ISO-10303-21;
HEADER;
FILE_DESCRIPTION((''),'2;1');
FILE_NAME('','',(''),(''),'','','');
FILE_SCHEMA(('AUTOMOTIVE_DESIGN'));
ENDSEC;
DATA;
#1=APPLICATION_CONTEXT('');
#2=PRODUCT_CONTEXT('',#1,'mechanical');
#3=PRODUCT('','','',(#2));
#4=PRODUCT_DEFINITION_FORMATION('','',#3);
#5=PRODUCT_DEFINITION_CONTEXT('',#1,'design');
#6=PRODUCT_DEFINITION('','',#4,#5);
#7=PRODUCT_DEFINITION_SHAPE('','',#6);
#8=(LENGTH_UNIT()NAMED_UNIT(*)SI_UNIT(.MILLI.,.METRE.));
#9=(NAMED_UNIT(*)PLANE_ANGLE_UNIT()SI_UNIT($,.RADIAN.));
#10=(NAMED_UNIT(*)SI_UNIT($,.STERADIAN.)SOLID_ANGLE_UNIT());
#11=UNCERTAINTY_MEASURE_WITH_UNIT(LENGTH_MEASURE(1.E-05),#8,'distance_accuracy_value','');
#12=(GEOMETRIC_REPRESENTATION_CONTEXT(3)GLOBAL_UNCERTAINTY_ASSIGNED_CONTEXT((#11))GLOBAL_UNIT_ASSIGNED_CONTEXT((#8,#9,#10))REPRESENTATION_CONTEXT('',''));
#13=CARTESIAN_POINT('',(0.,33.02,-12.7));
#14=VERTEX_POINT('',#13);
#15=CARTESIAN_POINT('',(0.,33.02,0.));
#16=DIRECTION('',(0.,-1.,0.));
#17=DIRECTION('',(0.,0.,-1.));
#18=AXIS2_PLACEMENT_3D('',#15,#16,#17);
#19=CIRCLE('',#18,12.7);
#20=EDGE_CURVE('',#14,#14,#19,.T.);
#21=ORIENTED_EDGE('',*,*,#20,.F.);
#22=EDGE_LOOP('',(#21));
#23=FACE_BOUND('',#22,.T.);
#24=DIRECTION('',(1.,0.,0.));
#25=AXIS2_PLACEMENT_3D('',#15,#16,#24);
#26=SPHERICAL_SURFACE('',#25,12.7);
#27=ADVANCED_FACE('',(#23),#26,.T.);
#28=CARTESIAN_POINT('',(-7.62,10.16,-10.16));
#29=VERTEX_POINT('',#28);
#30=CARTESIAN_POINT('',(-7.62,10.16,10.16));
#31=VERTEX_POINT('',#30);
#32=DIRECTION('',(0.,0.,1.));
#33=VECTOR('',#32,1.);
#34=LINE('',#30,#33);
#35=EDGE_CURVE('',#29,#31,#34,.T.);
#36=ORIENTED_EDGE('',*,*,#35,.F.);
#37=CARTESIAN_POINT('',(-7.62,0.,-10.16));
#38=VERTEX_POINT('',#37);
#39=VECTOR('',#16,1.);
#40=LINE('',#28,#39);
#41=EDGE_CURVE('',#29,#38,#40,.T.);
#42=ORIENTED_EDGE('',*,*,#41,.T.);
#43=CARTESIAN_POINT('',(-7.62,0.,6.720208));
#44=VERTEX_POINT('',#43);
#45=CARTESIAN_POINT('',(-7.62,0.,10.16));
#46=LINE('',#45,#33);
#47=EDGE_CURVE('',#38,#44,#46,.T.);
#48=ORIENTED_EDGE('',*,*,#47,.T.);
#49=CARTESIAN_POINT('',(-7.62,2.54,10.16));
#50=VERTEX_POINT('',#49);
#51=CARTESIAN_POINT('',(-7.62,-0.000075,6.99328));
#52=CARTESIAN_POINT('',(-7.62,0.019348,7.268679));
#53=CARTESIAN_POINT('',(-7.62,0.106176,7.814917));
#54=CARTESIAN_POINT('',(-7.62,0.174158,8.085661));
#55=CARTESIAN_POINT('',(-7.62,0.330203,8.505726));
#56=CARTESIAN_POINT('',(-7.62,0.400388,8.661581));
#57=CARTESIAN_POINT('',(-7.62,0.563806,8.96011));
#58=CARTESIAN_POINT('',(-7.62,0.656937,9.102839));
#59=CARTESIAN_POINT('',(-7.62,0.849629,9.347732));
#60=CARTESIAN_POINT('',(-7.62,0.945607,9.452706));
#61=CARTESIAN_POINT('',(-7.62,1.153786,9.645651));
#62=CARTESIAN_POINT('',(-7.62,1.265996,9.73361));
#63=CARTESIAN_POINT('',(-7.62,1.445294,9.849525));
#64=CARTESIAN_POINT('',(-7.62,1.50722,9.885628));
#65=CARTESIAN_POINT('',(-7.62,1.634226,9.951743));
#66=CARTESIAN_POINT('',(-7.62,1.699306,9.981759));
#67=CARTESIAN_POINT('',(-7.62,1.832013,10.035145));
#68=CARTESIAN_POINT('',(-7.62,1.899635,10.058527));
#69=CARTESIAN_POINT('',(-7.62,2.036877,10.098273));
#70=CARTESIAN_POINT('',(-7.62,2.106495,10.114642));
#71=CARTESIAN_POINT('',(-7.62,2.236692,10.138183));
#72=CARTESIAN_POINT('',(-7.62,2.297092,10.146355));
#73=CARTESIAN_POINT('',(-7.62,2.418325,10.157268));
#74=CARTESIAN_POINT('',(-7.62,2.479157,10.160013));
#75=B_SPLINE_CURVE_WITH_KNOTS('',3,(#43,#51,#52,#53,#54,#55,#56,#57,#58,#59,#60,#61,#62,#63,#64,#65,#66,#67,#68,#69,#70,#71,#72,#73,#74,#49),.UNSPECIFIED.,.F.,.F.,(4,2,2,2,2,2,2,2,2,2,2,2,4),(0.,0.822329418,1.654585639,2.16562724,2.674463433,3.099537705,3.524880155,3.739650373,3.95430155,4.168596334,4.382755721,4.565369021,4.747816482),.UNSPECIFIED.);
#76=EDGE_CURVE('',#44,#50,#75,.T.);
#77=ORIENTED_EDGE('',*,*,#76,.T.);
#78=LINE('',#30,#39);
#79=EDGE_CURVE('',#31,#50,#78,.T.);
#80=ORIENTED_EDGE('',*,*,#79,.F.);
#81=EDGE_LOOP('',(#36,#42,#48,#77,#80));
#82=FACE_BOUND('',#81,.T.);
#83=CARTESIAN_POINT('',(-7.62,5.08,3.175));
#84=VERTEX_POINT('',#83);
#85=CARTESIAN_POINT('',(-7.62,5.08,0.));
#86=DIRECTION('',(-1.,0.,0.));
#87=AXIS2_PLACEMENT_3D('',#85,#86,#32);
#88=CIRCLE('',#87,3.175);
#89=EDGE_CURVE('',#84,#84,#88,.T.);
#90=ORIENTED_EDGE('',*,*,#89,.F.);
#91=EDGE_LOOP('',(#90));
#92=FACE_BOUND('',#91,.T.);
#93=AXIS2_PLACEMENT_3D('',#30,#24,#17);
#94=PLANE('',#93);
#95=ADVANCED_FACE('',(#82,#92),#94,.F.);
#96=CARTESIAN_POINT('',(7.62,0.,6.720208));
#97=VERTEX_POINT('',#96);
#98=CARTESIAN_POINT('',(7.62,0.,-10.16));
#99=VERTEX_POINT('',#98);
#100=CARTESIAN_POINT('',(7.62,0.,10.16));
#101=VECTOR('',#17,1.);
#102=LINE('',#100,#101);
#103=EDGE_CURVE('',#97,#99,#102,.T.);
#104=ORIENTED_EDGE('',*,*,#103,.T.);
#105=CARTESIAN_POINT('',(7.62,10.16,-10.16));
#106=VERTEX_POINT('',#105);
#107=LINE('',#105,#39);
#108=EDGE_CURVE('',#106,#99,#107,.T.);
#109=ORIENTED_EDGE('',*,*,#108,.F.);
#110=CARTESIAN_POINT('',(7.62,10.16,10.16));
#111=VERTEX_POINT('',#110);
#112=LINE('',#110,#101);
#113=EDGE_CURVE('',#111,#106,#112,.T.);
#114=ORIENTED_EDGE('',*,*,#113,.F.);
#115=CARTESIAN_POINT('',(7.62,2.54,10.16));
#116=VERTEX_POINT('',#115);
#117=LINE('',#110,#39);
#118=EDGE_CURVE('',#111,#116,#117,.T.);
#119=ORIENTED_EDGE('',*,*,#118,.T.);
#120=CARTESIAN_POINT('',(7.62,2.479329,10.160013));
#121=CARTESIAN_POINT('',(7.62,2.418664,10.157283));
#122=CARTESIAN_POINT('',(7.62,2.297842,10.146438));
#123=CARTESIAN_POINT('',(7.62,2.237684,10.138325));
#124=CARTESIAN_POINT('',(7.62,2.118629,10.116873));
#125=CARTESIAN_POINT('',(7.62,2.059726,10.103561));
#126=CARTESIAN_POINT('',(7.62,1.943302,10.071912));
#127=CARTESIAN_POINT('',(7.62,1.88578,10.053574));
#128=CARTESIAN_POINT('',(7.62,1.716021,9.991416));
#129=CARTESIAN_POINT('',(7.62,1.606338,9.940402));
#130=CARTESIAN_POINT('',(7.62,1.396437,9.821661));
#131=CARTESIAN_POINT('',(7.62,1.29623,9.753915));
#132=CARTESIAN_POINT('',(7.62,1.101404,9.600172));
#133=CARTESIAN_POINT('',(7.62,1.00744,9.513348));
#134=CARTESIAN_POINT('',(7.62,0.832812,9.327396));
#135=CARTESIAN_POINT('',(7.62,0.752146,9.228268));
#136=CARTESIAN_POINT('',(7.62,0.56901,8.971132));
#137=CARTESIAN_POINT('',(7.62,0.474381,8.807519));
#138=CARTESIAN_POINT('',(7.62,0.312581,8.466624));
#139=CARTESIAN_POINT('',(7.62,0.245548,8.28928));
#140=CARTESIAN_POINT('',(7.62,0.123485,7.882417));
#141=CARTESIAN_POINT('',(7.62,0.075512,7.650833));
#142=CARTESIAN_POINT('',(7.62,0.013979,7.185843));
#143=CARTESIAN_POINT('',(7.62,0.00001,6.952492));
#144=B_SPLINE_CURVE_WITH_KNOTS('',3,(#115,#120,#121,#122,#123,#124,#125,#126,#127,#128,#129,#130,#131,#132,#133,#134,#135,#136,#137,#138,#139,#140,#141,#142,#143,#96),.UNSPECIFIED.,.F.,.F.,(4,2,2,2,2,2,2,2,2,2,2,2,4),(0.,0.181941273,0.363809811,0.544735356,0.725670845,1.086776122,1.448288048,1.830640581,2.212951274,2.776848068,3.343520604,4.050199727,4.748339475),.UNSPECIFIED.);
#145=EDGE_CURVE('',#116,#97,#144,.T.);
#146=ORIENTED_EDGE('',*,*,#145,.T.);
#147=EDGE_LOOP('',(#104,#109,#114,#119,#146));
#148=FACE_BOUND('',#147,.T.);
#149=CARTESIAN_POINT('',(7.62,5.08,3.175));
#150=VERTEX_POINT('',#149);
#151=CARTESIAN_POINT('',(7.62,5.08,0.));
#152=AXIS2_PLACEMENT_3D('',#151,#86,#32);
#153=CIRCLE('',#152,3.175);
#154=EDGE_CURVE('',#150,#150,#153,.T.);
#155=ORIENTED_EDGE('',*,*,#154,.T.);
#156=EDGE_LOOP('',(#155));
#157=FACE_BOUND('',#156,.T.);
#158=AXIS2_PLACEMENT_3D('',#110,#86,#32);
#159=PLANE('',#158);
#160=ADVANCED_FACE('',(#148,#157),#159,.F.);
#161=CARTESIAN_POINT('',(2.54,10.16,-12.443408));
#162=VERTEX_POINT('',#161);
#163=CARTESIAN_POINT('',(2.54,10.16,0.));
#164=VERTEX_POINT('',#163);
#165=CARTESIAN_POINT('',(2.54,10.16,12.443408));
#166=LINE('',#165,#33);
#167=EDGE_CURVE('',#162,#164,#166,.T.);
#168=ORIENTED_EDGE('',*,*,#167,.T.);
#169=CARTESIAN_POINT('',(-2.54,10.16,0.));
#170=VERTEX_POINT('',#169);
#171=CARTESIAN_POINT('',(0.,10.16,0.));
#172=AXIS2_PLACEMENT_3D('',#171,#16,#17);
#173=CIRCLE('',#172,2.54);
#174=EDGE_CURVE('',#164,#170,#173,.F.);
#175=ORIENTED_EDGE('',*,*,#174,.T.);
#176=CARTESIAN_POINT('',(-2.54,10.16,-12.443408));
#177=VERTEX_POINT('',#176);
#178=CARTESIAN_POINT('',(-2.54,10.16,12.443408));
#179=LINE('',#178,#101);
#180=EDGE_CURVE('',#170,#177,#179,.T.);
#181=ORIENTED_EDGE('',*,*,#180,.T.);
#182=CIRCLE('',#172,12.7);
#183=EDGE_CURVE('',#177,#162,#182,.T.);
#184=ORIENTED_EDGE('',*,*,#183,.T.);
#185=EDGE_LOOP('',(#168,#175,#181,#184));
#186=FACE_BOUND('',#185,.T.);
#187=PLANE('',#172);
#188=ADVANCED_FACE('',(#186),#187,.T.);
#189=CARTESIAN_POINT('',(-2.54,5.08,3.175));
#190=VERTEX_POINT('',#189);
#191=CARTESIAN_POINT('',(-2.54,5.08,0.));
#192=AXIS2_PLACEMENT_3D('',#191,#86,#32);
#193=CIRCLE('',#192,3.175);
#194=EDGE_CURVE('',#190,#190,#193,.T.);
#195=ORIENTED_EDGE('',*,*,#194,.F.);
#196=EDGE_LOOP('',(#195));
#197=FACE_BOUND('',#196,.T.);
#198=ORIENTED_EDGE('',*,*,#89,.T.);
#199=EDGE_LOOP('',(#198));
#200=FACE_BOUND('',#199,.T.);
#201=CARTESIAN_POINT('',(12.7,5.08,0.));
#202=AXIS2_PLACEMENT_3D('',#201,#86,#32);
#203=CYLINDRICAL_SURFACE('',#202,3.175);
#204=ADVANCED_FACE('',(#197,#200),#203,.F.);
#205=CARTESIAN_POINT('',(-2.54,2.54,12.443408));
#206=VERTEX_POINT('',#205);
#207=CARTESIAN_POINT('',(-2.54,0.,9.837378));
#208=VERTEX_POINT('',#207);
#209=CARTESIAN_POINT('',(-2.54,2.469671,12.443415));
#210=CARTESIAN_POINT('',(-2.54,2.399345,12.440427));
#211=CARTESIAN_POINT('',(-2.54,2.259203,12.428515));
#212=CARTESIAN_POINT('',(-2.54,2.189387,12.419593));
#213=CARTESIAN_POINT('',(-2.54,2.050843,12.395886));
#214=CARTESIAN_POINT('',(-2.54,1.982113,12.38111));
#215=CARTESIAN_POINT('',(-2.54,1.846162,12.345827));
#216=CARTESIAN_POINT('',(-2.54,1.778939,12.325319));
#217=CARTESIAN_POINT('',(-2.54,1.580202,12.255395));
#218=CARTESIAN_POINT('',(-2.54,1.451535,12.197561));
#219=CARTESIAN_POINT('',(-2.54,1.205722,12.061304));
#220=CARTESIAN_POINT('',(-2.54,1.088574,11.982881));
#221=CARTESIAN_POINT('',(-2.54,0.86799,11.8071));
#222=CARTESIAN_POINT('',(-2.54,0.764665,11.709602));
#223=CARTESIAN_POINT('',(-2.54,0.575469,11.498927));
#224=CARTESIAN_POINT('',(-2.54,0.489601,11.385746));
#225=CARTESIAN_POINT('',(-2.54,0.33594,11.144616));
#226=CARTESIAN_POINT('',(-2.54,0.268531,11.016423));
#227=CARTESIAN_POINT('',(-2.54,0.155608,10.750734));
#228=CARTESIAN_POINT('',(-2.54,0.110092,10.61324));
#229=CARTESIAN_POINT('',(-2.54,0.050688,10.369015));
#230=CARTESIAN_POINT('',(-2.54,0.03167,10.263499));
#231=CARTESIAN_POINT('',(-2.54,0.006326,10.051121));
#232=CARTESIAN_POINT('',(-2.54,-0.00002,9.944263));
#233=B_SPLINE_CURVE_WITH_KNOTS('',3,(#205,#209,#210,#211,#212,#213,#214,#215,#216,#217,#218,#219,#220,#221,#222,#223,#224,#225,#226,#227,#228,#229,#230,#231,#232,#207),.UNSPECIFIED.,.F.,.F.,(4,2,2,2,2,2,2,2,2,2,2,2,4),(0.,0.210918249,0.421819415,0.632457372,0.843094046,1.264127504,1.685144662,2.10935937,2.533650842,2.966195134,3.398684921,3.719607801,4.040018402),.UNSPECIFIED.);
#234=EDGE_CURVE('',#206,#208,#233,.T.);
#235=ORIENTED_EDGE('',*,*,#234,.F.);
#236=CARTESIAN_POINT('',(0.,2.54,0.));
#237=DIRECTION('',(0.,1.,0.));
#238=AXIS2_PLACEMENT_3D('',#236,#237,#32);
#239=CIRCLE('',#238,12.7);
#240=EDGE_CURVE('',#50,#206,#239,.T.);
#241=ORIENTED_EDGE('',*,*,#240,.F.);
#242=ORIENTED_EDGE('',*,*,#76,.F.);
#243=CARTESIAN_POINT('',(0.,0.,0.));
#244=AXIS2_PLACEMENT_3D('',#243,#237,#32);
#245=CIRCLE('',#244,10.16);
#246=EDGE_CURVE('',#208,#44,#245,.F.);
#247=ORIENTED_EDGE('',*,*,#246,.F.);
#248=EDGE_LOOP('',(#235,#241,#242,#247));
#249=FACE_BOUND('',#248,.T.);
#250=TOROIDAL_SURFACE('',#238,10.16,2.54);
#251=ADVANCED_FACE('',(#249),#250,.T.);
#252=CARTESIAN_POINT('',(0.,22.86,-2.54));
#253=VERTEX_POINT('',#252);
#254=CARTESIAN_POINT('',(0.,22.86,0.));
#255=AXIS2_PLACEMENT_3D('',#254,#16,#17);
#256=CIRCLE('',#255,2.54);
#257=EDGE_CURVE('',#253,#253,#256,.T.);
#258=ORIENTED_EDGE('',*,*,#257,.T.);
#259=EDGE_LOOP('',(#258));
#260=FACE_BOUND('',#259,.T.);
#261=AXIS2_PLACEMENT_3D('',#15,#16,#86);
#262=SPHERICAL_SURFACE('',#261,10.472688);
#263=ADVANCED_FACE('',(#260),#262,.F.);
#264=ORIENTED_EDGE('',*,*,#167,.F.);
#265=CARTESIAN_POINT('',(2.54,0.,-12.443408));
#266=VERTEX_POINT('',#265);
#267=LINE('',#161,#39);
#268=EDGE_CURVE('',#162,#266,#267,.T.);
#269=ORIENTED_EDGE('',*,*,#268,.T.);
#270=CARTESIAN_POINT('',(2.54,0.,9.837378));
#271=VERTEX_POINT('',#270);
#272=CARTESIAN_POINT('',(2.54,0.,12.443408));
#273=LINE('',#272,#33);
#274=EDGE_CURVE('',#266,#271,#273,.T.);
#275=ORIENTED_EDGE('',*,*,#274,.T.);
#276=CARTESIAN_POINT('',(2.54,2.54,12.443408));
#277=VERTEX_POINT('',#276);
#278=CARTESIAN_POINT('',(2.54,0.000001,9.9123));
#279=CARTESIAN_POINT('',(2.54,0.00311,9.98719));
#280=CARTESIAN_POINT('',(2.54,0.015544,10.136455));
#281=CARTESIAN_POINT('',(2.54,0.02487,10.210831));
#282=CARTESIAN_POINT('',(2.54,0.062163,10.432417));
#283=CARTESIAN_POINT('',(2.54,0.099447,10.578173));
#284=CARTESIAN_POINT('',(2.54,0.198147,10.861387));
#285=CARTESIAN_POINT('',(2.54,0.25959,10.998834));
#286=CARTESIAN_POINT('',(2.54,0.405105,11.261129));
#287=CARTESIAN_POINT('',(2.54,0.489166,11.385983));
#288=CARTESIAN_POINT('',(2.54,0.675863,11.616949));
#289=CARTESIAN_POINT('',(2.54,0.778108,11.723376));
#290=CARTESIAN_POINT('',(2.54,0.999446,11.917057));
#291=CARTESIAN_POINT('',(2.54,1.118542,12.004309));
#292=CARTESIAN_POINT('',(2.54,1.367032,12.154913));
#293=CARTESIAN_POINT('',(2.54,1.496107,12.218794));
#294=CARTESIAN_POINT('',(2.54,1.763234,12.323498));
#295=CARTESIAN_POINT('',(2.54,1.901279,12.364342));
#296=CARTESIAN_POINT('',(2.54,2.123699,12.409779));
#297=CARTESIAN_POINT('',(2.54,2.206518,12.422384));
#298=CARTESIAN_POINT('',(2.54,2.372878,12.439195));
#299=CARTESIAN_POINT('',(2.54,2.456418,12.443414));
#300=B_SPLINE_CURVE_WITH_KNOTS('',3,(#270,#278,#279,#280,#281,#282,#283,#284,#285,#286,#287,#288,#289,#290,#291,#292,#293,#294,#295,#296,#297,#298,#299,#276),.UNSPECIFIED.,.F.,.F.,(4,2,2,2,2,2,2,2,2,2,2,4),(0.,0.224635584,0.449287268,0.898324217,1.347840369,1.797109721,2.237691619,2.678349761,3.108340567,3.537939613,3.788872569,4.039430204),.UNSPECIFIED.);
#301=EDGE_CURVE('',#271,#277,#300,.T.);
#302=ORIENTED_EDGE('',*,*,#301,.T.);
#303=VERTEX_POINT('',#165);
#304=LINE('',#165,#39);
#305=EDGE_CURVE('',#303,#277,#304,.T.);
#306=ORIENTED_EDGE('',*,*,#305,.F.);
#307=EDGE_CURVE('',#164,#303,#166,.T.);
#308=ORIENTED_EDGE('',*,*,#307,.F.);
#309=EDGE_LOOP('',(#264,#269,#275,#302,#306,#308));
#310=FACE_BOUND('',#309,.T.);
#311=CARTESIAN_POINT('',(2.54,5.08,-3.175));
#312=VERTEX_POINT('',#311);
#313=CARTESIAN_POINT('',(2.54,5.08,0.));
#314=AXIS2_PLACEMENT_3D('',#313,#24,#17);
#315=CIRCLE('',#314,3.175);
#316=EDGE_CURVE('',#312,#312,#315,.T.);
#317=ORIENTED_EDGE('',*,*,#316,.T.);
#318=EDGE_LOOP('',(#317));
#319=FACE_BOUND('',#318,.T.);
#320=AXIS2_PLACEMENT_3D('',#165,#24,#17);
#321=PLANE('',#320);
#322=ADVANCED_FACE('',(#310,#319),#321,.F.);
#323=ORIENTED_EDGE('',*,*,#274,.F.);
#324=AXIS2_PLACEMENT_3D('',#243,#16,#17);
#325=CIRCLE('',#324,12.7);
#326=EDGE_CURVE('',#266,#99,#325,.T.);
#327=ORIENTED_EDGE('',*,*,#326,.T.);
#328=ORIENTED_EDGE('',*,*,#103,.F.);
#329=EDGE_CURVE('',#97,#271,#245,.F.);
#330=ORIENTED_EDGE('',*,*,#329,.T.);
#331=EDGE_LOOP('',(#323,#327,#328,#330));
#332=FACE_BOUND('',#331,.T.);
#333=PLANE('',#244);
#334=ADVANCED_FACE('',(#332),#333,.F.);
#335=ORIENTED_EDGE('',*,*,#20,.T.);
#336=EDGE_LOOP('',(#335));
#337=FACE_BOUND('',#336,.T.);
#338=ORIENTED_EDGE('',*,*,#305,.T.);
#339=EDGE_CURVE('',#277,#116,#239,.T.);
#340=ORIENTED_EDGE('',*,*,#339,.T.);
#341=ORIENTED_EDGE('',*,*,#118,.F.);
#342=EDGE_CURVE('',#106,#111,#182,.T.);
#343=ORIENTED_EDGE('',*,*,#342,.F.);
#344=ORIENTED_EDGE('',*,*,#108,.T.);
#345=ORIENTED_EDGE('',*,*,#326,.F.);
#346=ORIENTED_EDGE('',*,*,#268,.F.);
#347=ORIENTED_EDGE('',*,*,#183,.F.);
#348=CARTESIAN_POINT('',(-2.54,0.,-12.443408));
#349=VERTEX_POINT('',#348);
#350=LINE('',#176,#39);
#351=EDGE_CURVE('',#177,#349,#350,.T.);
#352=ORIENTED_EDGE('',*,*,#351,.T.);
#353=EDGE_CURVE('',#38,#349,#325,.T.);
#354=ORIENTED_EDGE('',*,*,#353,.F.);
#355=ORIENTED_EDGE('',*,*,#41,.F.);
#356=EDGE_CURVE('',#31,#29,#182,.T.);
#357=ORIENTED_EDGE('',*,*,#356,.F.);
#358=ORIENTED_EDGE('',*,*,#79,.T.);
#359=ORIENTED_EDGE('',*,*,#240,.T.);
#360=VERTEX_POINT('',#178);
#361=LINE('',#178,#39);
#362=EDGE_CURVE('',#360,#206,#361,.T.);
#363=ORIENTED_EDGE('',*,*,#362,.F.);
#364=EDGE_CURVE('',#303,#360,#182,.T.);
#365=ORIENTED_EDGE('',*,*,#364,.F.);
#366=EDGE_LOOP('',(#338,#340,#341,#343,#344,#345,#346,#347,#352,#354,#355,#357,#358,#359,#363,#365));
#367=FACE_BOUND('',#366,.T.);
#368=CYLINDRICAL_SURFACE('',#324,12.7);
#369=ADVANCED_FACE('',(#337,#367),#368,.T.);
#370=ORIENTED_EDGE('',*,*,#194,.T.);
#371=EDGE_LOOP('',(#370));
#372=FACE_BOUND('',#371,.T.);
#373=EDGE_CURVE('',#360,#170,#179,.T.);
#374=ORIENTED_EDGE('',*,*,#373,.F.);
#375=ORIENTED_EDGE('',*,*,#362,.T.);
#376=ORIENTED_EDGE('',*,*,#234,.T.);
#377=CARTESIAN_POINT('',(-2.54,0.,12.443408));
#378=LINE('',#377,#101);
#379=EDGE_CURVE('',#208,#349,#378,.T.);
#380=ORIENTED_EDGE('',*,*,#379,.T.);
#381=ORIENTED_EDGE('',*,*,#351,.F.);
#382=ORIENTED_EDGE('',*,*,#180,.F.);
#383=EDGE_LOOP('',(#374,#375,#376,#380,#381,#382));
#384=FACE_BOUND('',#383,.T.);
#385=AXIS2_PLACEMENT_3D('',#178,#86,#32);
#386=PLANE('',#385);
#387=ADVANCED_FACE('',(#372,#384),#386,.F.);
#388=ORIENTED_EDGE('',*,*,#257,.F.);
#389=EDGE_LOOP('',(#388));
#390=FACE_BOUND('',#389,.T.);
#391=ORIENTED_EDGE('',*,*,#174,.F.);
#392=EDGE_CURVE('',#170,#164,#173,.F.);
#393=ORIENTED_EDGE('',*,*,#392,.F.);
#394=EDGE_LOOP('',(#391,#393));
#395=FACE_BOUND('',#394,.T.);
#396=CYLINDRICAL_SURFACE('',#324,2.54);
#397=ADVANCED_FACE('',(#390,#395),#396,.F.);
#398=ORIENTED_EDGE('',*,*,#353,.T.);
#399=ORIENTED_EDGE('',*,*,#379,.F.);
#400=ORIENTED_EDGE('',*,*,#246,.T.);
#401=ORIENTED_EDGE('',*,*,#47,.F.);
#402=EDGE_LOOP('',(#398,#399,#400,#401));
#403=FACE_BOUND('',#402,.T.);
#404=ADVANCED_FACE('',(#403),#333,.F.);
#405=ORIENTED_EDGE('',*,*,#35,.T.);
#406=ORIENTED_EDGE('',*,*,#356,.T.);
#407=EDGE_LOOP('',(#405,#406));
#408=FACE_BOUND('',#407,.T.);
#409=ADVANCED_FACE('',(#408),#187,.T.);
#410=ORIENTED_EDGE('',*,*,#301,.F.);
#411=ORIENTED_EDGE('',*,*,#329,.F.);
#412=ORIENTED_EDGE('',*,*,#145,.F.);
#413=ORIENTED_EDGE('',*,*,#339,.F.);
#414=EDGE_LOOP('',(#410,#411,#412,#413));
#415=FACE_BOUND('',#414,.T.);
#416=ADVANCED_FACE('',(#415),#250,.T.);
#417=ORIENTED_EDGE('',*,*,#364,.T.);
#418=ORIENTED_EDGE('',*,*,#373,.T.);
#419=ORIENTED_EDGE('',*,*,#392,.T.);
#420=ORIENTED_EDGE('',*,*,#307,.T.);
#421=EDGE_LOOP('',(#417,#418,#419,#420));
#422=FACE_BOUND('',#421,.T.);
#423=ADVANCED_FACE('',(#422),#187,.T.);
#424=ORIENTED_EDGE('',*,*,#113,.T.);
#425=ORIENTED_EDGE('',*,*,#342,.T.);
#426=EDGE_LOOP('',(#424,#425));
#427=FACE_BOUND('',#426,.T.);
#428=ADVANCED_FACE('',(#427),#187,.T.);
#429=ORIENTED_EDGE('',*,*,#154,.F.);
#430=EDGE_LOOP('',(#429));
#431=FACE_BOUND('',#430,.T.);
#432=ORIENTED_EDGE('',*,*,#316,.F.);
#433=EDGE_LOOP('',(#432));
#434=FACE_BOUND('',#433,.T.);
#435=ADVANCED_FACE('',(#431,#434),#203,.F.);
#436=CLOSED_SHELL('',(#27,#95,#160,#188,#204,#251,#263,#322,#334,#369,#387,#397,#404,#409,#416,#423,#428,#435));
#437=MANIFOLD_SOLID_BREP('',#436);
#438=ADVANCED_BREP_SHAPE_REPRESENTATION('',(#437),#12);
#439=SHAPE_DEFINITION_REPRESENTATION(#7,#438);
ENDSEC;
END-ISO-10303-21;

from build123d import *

# Parameters (mm, degrees)
CUT_EXTRUDE1_DEPTH = 10.16
SKETCH3_R          = 3.175
CUT_EXTRUDE2_DEPTH = 52.61889964
FILLET1_R          = 2.54


with BuildPart() as part:
    # Sketch1 → Revolve1 (revolve)
    with BuildSketch(Plane.XY, mode=Mode.PRIVATE) as revolve1_sk:
        with BuildLine():
            Line((0, 0), (0, 5.602635041))
            Line((0, 5.602635041), (-2.54, 5.602635041))
            Line((-2.54, 5.602635041), (-2.54, 22.86))
            ThreePointArc((-2.54, 22.86), (-10.394222266, 34.299587235), (0, 43.492688289))
            Line((0, 43.492688289), (0, 45.72))
            ThreePointArc((0, 45.72), (-8.980256121, 42.000256121), (-12.7, 33.02))
            Line((-12.7, 33.02), (-12.7, 0))
            Line((-12.7, 0), (0, 0))
        make_face()
    revolve(revolve1_sk.sketch.rotate(Axis((0, 0, 0), (0, 1, 0)), 270), axis=Axis((0, 0, 0), (0, 1, 0)))

    # Sketch2 → Cut-Extrude1 (cut)
    with BuildSketch(Plane.XZ):
        with BuildLine():
            Line((-2.54, 12.443407893), (-2.54, -12.443407893))
            ThreePointArc((-2.54, -12.443407893), (0, -12.7), (2.54, -12.443407893))
            Line((2.54, -12.443407893), (2.54, 12.443407893))
            ThreePointArc((2.54, 12.443407893), (0, 12.7), (-2.54, 12.443407893))
        make_face()
        with BuildLine():
            Line((-7.62, 10.16), (-7.62, -10.16))
            ThreePointArc((-7.62, -10.16), (-12.7, 0), (-7.62, 10.16))
        make_face()
        with BuildLine():
            Line((7.62, 10.16), (7.62, -10.16))
            ThreePointArc((7.62, -10.16), (12.7, 0), (7.62, 10.16))
        make_face()
    extrude(amount=-CUT_EXTRUDE1_DEPTH, mode=Mode.SUBTRACT)

    # Sketch3 → Cut-Extrude2 (cut, through all)
    with BuildSketch(Plane.ZY.offset(7.62)):
        with Locations((0, 5.08)):
            Circle(SKETCH3_R)
    extrude(amount=-CUT_EXTRUDE2_DEPTH, mode=Mode.SUBTRACT)

    # Fillet1
    fillet1_edges = [part.edges().sort_by_distance(p)[0] for p in [
        (5.206715654, 0, 11.583613948),
        (-5.206715654, 0, 11.583613948),
    ]]
    fillet(fillet1_edges, radius=FILLET1_R)


solid = part.part
